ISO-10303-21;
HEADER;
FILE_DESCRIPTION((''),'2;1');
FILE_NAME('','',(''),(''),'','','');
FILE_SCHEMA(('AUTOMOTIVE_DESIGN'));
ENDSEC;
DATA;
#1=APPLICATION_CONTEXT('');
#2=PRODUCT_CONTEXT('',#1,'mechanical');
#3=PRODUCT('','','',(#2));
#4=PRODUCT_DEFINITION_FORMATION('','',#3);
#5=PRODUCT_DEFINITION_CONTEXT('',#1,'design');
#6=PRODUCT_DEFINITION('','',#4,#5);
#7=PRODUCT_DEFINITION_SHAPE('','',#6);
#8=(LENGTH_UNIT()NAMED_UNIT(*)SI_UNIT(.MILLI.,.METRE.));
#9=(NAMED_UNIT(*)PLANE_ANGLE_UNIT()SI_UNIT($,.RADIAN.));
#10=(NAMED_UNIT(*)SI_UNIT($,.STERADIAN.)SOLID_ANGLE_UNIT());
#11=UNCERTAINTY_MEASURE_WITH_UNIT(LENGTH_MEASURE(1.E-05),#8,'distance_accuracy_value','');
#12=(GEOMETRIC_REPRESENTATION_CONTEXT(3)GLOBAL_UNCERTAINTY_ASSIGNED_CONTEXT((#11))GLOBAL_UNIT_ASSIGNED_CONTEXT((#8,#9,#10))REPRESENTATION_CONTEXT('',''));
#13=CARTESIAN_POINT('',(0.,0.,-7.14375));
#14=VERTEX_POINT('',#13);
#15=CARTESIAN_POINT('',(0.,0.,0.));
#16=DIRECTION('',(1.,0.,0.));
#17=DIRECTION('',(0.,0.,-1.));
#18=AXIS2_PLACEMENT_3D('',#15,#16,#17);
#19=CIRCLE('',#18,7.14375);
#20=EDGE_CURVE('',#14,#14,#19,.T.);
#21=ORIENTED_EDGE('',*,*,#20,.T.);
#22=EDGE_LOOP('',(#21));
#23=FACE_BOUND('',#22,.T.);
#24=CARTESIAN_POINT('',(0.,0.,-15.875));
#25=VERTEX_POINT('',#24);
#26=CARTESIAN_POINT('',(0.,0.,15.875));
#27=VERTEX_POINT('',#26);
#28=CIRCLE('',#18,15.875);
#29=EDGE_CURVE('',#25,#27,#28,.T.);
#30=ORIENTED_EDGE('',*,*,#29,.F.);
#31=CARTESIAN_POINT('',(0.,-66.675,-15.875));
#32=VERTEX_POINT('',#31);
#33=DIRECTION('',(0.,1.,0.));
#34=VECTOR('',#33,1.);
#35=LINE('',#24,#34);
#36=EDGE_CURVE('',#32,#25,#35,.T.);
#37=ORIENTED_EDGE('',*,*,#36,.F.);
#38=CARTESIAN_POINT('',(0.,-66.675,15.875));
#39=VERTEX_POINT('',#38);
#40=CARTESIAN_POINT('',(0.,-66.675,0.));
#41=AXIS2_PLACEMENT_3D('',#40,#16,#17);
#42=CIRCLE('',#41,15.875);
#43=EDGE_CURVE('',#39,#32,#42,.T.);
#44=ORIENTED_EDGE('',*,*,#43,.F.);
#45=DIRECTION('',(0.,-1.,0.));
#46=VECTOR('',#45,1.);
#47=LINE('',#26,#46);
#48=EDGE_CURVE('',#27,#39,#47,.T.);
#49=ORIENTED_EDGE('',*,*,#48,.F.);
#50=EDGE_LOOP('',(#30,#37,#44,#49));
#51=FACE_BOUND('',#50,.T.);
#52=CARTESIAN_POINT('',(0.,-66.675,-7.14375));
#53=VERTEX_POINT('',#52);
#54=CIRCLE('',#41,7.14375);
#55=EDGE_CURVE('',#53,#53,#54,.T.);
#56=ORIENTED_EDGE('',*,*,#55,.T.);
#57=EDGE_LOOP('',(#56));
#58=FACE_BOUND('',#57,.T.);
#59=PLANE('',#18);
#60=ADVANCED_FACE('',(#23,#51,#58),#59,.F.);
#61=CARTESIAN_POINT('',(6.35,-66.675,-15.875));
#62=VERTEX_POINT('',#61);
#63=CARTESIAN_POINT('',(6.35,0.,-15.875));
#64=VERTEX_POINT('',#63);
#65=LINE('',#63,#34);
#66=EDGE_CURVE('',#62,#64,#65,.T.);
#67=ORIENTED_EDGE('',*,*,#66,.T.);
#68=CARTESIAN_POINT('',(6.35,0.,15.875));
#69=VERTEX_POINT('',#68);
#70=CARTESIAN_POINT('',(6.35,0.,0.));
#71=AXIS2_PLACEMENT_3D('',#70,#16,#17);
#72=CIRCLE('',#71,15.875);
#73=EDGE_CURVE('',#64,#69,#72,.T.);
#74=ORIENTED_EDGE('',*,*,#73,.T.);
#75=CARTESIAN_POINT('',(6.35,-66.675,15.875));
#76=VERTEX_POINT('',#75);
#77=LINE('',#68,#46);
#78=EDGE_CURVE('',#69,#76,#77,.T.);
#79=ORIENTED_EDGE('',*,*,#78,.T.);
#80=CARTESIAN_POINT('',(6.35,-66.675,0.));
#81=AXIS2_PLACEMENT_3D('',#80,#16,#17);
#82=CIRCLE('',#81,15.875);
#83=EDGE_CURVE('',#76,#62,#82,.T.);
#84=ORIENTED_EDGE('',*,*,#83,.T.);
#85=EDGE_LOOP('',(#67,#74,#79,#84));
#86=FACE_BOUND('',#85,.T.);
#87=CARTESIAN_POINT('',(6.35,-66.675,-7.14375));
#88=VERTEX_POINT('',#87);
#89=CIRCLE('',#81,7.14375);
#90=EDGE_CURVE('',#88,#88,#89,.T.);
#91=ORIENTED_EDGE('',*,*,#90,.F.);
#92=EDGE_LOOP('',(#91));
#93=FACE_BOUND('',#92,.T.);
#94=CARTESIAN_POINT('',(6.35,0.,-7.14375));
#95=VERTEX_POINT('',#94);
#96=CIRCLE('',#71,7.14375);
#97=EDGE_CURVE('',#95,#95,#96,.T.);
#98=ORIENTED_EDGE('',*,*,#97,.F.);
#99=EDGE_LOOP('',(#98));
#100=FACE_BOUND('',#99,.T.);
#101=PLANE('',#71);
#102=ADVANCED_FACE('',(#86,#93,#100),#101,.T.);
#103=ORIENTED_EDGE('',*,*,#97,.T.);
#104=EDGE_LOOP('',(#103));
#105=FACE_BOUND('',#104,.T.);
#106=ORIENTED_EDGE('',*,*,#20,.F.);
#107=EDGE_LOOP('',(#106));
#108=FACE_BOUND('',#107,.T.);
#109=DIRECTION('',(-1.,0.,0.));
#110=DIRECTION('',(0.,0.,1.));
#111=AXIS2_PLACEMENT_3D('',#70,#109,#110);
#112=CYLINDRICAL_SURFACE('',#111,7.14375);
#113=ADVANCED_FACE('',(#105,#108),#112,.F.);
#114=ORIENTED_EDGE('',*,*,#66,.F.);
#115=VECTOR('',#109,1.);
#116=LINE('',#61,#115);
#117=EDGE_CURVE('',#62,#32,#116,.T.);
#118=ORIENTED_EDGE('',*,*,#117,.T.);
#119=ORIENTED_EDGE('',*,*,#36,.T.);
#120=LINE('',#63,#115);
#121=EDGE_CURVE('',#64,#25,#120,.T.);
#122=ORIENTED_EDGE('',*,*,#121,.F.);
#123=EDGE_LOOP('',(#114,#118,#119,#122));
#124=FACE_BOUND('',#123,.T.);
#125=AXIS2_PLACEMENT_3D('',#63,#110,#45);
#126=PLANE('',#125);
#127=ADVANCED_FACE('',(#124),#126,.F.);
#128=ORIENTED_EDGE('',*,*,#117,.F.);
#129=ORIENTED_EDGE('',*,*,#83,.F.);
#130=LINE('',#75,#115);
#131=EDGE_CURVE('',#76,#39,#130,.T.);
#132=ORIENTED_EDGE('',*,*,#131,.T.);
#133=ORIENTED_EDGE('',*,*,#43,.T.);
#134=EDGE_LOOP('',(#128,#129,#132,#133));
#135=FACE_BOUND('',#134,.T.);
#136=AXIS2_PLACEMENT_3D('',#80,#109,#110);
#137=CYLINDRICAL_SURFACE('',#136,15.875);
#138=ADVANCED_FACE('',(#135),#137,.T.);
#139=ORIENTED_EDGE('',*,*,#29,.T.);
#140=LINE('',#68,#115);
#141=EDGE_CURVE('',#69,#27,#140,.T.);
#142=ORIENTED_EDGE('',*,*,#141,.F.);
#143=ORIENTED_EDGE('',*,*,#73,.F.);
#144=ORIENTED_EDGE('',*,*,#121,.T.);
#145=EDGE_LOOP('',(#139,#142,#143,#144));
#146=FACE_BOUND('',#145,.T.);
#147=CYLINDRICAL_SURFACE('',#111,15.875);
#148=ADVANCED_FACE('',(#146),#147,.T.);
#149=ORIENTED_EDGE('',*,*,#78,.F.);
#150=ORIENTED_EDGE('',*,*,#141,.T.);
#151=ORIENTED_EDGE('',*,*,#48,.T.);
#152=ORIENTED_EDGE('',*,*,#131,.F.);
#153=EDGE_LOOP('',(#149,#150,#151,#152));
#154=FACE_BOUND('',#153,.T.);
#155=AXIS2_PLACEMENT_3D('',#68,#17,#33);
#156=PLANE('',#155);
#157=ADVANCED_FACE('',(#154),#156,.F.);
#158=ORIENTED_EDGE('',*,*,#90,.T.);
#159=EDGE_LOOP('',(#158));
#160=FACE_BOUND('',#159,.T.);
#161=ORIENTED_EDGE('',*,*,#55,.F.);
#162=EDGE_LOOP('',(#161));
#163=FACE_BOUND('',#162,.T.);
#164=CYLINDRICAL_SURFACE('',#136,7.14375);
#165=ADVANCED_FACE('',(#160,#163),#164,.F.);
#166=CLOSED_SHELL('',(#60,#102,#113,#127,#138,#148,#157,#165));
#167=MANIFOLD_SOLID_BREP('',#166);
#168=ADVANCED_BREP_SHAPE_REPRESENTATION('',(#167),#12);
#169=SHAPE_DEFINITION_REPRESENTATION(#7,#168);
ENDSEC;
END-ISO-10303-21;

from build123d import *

# Parameters (mm, degrees)
SKETCH1_R           = 7.14375
BOSS_EXTRUDE1_DEPTH = 6.35


with BuildPart() as part:
    # Sketch1 → Boss-Extrude1 (new body)
    with BuildSketch(Plane(origin=(0, 0, 0), x_dir=(0, 0, -1), z_dir=(1, 0, 0))):
        with BuildLine():
            Line((15.875, 0), (15.875, -66.675))
            ThreePointArc((15.875, -66.675), (0, -82.55), (-15.875, -66.675))
            Line((-15.875, -66.675), (-15.875, 0))
            ThreePointArc((-15.875, 0), (0, 15.875), (15.875, 0))
        make_face()
        Circle(SKETCH1_R, mode=Mode.SUBTRACT)
        with Locations((0, -66.675)):
            Circle(SKETCH1_R, mode=Mode.SUBTRACT)
    extrude(amount=BOSS_EXTRUDE1_DEPTH)


solid = part.part
